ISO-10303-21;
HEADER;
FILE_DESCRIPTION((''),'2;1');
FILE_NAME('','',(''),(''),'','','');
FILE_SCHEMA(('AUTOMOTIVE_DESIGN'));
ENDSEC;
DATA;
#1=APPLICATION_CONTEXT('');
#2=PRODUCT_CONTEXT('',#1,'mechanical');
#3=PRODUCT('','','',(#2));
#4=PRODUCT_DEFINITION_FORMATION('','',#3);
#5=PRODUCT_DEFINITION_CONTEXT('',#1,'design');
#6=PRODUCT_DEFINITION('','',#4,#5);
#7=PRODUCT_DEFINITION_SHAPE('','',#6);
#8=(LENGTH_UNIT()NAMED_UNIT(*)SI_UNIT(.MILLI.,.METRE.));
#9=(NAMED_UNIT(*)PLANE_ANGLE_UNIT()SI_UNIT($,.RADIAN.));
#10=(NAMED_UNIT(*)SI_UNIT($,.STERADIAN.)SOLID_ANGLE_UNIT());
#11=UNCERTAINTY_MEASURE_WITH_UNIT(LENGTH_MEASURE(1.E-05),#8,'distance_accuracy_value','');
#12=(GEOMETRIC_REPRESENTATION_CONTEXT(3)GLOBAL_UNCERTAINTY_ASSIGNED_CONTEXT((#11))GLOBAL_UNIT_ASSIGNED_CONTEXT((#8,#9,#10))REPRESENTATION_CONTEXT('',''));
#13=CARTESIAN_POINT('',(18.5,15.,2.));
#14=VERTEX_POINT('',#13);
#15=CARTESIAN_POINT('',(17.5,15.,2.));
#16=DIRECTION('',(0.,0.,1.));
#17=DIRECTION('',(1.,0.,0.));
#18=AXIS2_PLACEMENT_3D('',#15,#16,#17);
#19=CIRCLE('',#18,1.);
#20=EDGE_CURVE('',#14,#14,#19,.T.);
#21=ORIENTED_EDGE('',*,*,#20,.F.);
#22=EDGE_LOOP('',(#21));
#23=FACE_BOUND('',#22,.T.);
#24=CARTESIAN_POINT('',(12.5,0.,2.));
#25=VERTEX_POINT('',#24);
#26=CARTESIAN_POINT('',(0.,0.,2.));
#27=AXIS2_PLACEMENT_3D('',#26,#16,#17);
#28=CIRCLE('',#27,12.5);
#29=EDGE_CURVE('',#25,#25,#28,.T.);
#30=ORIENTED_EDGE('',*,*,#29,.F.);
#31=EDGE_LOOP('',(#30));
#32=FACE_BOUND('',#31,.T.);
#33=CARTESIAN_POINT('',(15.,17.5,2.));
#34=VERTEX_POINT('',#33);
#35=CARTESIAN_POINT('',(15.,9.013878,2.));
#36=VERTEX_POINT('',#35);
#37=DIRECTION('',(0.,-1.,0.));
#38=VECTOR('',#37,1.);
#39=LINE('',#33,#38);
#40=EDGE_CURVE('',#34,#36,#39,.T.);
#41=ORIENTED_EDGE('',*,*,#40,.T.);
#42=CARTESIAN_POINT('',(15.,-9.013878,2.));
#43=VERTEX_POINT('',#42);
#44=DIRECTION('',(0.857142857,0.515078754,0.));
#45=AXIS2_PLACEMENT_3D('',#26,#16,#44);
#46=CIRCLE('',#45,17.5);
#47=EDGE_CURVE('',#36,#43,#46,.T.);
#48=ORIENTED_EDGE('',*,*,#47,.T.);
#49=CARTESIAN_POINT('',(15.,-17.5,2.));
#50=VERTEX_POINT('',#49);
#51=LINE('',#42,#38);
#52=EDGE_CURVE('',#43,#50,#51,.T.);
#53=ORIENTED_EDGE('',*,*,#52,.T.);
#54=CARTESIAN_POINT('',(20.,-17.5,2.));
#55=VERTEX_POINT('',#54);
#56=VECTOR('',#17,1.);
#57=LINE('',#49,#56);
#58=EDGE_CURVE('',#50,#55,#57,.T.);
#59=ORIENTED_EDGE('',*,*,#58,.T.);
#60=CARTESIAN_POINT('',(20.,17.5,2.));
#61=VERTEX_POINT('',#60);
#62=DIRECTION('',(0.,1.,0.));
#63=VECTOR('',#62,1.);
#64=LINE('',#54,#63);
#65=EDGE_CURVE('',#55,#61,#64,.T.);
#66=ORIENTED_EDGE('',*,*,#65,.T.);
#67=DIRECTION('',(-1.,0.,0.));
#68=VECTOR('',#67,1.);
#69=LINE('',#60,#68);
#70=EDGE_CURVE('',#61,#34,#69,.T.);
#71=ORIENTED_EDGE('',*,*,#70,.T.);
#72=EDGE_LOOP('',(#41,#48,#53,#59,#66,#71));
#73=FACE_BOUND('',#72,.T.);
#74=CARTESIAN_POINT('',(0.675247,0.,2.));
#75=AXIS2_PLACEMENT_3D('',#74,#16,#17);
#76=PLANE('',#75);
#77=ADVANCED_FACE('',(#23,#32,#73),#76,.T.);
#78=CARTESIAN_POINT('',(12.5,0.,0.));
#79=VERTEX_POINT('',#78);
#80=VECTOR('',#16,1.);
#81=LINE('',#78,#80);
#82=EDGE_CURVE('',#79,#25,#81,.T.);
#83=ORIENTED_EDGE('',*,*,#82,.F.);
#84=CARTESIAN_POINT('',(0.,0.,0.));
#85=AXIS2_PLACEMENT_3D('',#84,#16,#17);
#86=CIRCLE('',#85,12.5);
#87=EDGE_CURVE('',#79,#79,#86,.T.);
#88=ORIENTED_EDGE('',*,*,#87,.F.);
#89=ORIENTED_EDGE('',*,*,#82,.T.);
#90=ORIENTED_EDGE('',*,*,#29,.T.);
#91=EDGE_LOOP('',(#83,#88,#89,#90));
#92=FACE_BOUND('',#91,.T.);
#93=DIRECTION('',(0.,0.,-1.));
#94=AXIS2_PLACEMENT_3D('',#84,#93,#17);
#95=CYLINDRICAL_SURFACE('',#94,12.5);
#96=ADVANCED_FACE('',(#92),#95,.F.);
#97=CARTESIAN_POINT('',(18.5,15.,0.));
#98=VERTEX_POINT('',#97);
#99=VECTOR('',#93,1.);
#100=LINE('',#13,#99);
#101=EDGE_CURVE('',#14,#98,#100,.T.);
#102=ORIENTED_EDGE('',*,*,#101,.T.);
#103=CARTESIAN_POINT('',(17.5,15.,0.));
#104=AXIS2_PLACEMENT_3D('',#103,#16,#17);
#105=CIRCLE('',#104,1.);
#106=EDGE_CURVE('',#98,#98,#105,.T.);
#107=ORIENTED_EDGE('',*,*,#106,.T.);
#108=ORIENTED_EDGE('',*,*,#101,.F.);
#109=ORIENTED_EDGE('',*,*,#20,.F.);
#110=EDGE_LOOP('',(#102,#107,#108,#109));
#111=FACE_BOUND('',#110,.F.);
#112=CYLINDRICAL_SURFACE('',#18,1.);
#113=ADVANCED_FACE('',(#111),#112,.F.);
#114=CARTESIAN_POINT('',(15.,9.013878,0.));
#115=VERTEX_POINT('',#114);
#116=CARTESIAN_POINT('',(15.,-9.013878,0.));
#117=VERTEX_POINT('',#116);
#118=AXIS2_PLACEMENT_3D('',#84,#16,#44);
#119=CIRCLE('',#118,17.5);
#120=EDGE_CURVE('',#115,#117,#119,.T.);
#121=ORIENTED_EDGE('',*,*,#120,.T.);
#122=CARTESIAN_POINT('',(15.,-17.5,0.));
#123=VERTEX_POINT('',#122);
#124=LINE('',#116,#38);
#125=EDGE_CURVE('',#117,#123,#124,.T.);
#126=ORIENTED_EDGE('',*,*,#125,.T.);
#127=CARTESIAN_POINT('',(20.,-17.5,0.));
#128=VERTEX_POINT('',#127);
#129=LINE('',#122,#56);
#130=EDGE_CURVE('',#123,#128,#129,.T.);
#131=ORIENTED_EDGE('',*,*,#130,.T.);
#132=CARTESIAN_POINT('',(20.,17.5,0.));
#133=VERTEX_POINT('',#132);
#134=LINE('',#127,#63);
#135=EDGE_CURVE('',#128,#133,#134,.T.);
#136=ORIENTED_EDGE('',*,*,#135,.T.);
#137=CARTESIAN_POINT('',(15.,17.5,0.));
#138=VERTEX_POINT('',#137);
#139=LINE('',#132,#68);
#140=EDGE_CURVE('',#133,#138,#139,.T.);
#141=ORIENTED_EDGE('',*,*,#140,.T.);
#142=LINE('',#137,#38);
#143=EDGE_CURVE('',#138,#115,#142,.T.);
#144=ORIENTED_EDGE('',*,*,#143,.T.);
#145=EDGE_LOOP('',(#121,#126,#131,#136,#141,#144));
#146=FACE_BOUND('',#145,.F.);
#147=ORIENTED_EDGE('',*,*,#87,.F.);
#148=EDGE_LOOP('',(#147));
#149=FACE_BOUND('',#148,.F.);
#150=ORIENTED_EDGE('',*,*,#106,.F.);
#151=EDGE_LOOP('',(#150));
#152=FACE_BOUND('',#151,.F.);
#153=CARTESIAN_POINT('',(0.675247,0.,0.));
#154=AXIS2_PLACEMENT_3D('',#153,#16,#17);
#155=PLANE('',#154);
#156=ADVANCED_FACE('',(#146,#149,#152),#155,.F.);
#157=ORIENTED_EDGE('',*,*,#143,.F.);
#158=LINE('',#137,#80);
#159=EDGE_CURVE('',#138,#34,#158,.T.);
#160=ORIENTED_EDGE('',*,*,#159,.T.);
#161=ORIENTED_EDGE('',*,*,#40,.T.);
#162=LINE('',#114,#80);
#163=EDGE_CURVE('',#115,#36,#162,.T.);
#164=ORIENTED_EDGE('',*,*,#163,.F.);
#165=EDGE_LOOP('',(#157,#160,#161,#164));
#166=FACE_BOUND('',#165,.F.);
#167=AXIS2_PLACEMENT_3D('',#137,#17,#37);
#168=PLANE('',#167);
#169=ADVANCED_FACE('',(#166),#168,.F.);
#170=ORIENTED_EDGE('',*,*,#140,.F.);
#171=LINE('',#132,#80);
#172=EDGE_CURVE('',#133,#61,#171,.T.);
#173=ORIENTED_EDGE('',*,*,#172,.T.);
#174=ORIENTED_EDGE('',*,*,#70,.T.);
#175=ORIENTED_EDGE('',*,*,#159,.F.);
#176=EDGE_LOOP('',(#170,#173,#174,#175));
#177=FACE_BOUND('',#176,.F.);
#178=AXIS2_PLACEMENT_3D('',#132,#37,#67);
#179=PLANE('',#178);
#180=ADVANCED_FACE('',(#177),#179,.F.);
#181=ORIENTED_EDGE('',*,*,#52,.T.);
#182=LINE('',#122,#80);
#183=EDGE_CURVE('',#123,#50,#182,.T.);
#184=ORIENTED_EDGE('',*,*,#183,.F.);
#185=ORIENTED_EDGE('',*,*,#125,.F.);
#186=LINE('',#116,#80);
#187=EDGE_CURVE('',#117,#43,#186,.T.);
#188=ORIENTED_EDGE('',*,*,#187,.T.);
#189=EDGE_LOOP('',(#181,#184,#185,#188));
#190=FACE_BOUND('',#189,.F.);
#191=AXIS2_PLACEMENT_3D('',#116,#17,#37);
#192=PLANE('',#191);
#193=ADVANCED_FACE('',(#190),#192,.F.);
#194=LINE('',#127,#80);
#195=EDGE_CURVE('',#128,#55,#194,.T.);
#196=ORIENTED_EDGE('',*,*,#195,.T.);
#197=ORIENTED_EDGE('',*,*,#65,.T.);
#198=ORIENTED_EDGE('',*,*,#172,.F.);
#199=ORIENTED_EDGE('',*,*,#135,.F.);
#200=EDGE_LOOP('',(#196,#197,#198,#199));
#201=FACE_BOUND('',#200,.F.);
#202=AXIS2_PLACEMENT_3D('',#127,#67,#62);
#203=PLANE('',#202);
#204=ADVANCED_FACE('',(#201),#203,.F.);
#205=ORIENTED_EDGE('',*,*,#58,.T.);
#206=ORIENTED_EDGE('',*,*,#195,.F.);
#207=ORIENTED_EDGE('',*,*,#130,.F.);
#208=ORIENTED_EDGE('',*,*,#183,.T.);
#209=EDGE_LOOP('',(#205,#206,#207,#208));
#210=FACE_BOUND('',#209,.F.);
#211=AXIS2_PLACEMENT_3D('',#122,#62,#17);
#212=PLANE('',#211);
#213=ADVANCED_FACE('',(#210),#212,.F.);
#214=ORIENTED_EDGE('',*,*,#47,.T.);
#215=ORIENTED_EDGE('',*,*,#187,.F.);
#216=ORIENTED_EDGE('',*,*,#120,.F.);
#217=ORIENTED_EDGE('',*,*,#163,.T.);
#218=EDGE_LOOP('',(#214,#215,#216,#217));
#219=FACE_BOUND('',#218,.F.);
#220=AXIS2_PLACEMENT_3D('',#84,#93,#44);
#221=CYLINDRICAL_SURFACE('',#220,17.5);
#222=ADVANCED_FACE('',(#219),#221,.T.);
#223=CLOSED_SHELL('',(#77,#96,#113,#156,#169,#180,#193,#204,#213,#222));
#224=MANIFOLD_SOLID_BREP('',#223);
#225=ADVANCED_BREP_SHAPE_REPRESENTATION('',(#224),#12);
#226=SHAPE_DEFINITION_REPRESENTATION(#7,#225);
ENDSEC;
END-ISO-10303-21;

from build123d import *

# Parameters (mm, degrees)
F0_R     = 12.5
F1_DEPTH = 2
F2_R     = 1
F3_DEPTH = 2


with BuildPart() as f1:
    # F0 (on Top) → F1 (new body)
    with BuildSketch(Plane.XY):
        with BuildLine():
            Line((15, -9.0138781887), (15, 9.0138781887))
            ThreePointArc((15, 9.0138781887), (-17.5, 0), (15, -9.0138781887))
        make_face()
        Circle(F0_R, mode=Mode.SUBTRACT)
        with BuildLine():
            ThreePointArc((15, 9.0138781887), (16.863421954, 4.6770717335), (17.5, 0))
            ThreePointArc((17.5, 0), (16.863421954, -4.6770717335), (15, -9.0138781887))
            Line((15, -9.0138781887), (15, -17.5))
            Line((15, -17.5), (20, -17.5))
            Line((20, -17.5), (20, 17.5))
            Line((20, 17.5), (15, 17.5))
            Line((15, 17.5), (15, 9.0138781887))
        make_face()
        with BuildLine():
            ThreePointArc((15, -9.0138781887), (16.863421954, -4.6770717335), (17.5, 0))
            ThreePointArc((17.5, 0), (16.863421954, 4.6770717335), (15, 9.0138781887))
            Line((15, 9.0138781887), (15, -9.0138781887))
        make_face()
    extrude(amount=F1_DEPTH)

    # F2 (on face) → F3 (cut)
    with BuildSketch(Plane.XY.offset(2)):
        with Locations((17.5, 15)):
            Circle(F2_R)
    extrude(amount=-F3_DEPTH, mode=Mode.SUBTRACT)


solid = f1.part
